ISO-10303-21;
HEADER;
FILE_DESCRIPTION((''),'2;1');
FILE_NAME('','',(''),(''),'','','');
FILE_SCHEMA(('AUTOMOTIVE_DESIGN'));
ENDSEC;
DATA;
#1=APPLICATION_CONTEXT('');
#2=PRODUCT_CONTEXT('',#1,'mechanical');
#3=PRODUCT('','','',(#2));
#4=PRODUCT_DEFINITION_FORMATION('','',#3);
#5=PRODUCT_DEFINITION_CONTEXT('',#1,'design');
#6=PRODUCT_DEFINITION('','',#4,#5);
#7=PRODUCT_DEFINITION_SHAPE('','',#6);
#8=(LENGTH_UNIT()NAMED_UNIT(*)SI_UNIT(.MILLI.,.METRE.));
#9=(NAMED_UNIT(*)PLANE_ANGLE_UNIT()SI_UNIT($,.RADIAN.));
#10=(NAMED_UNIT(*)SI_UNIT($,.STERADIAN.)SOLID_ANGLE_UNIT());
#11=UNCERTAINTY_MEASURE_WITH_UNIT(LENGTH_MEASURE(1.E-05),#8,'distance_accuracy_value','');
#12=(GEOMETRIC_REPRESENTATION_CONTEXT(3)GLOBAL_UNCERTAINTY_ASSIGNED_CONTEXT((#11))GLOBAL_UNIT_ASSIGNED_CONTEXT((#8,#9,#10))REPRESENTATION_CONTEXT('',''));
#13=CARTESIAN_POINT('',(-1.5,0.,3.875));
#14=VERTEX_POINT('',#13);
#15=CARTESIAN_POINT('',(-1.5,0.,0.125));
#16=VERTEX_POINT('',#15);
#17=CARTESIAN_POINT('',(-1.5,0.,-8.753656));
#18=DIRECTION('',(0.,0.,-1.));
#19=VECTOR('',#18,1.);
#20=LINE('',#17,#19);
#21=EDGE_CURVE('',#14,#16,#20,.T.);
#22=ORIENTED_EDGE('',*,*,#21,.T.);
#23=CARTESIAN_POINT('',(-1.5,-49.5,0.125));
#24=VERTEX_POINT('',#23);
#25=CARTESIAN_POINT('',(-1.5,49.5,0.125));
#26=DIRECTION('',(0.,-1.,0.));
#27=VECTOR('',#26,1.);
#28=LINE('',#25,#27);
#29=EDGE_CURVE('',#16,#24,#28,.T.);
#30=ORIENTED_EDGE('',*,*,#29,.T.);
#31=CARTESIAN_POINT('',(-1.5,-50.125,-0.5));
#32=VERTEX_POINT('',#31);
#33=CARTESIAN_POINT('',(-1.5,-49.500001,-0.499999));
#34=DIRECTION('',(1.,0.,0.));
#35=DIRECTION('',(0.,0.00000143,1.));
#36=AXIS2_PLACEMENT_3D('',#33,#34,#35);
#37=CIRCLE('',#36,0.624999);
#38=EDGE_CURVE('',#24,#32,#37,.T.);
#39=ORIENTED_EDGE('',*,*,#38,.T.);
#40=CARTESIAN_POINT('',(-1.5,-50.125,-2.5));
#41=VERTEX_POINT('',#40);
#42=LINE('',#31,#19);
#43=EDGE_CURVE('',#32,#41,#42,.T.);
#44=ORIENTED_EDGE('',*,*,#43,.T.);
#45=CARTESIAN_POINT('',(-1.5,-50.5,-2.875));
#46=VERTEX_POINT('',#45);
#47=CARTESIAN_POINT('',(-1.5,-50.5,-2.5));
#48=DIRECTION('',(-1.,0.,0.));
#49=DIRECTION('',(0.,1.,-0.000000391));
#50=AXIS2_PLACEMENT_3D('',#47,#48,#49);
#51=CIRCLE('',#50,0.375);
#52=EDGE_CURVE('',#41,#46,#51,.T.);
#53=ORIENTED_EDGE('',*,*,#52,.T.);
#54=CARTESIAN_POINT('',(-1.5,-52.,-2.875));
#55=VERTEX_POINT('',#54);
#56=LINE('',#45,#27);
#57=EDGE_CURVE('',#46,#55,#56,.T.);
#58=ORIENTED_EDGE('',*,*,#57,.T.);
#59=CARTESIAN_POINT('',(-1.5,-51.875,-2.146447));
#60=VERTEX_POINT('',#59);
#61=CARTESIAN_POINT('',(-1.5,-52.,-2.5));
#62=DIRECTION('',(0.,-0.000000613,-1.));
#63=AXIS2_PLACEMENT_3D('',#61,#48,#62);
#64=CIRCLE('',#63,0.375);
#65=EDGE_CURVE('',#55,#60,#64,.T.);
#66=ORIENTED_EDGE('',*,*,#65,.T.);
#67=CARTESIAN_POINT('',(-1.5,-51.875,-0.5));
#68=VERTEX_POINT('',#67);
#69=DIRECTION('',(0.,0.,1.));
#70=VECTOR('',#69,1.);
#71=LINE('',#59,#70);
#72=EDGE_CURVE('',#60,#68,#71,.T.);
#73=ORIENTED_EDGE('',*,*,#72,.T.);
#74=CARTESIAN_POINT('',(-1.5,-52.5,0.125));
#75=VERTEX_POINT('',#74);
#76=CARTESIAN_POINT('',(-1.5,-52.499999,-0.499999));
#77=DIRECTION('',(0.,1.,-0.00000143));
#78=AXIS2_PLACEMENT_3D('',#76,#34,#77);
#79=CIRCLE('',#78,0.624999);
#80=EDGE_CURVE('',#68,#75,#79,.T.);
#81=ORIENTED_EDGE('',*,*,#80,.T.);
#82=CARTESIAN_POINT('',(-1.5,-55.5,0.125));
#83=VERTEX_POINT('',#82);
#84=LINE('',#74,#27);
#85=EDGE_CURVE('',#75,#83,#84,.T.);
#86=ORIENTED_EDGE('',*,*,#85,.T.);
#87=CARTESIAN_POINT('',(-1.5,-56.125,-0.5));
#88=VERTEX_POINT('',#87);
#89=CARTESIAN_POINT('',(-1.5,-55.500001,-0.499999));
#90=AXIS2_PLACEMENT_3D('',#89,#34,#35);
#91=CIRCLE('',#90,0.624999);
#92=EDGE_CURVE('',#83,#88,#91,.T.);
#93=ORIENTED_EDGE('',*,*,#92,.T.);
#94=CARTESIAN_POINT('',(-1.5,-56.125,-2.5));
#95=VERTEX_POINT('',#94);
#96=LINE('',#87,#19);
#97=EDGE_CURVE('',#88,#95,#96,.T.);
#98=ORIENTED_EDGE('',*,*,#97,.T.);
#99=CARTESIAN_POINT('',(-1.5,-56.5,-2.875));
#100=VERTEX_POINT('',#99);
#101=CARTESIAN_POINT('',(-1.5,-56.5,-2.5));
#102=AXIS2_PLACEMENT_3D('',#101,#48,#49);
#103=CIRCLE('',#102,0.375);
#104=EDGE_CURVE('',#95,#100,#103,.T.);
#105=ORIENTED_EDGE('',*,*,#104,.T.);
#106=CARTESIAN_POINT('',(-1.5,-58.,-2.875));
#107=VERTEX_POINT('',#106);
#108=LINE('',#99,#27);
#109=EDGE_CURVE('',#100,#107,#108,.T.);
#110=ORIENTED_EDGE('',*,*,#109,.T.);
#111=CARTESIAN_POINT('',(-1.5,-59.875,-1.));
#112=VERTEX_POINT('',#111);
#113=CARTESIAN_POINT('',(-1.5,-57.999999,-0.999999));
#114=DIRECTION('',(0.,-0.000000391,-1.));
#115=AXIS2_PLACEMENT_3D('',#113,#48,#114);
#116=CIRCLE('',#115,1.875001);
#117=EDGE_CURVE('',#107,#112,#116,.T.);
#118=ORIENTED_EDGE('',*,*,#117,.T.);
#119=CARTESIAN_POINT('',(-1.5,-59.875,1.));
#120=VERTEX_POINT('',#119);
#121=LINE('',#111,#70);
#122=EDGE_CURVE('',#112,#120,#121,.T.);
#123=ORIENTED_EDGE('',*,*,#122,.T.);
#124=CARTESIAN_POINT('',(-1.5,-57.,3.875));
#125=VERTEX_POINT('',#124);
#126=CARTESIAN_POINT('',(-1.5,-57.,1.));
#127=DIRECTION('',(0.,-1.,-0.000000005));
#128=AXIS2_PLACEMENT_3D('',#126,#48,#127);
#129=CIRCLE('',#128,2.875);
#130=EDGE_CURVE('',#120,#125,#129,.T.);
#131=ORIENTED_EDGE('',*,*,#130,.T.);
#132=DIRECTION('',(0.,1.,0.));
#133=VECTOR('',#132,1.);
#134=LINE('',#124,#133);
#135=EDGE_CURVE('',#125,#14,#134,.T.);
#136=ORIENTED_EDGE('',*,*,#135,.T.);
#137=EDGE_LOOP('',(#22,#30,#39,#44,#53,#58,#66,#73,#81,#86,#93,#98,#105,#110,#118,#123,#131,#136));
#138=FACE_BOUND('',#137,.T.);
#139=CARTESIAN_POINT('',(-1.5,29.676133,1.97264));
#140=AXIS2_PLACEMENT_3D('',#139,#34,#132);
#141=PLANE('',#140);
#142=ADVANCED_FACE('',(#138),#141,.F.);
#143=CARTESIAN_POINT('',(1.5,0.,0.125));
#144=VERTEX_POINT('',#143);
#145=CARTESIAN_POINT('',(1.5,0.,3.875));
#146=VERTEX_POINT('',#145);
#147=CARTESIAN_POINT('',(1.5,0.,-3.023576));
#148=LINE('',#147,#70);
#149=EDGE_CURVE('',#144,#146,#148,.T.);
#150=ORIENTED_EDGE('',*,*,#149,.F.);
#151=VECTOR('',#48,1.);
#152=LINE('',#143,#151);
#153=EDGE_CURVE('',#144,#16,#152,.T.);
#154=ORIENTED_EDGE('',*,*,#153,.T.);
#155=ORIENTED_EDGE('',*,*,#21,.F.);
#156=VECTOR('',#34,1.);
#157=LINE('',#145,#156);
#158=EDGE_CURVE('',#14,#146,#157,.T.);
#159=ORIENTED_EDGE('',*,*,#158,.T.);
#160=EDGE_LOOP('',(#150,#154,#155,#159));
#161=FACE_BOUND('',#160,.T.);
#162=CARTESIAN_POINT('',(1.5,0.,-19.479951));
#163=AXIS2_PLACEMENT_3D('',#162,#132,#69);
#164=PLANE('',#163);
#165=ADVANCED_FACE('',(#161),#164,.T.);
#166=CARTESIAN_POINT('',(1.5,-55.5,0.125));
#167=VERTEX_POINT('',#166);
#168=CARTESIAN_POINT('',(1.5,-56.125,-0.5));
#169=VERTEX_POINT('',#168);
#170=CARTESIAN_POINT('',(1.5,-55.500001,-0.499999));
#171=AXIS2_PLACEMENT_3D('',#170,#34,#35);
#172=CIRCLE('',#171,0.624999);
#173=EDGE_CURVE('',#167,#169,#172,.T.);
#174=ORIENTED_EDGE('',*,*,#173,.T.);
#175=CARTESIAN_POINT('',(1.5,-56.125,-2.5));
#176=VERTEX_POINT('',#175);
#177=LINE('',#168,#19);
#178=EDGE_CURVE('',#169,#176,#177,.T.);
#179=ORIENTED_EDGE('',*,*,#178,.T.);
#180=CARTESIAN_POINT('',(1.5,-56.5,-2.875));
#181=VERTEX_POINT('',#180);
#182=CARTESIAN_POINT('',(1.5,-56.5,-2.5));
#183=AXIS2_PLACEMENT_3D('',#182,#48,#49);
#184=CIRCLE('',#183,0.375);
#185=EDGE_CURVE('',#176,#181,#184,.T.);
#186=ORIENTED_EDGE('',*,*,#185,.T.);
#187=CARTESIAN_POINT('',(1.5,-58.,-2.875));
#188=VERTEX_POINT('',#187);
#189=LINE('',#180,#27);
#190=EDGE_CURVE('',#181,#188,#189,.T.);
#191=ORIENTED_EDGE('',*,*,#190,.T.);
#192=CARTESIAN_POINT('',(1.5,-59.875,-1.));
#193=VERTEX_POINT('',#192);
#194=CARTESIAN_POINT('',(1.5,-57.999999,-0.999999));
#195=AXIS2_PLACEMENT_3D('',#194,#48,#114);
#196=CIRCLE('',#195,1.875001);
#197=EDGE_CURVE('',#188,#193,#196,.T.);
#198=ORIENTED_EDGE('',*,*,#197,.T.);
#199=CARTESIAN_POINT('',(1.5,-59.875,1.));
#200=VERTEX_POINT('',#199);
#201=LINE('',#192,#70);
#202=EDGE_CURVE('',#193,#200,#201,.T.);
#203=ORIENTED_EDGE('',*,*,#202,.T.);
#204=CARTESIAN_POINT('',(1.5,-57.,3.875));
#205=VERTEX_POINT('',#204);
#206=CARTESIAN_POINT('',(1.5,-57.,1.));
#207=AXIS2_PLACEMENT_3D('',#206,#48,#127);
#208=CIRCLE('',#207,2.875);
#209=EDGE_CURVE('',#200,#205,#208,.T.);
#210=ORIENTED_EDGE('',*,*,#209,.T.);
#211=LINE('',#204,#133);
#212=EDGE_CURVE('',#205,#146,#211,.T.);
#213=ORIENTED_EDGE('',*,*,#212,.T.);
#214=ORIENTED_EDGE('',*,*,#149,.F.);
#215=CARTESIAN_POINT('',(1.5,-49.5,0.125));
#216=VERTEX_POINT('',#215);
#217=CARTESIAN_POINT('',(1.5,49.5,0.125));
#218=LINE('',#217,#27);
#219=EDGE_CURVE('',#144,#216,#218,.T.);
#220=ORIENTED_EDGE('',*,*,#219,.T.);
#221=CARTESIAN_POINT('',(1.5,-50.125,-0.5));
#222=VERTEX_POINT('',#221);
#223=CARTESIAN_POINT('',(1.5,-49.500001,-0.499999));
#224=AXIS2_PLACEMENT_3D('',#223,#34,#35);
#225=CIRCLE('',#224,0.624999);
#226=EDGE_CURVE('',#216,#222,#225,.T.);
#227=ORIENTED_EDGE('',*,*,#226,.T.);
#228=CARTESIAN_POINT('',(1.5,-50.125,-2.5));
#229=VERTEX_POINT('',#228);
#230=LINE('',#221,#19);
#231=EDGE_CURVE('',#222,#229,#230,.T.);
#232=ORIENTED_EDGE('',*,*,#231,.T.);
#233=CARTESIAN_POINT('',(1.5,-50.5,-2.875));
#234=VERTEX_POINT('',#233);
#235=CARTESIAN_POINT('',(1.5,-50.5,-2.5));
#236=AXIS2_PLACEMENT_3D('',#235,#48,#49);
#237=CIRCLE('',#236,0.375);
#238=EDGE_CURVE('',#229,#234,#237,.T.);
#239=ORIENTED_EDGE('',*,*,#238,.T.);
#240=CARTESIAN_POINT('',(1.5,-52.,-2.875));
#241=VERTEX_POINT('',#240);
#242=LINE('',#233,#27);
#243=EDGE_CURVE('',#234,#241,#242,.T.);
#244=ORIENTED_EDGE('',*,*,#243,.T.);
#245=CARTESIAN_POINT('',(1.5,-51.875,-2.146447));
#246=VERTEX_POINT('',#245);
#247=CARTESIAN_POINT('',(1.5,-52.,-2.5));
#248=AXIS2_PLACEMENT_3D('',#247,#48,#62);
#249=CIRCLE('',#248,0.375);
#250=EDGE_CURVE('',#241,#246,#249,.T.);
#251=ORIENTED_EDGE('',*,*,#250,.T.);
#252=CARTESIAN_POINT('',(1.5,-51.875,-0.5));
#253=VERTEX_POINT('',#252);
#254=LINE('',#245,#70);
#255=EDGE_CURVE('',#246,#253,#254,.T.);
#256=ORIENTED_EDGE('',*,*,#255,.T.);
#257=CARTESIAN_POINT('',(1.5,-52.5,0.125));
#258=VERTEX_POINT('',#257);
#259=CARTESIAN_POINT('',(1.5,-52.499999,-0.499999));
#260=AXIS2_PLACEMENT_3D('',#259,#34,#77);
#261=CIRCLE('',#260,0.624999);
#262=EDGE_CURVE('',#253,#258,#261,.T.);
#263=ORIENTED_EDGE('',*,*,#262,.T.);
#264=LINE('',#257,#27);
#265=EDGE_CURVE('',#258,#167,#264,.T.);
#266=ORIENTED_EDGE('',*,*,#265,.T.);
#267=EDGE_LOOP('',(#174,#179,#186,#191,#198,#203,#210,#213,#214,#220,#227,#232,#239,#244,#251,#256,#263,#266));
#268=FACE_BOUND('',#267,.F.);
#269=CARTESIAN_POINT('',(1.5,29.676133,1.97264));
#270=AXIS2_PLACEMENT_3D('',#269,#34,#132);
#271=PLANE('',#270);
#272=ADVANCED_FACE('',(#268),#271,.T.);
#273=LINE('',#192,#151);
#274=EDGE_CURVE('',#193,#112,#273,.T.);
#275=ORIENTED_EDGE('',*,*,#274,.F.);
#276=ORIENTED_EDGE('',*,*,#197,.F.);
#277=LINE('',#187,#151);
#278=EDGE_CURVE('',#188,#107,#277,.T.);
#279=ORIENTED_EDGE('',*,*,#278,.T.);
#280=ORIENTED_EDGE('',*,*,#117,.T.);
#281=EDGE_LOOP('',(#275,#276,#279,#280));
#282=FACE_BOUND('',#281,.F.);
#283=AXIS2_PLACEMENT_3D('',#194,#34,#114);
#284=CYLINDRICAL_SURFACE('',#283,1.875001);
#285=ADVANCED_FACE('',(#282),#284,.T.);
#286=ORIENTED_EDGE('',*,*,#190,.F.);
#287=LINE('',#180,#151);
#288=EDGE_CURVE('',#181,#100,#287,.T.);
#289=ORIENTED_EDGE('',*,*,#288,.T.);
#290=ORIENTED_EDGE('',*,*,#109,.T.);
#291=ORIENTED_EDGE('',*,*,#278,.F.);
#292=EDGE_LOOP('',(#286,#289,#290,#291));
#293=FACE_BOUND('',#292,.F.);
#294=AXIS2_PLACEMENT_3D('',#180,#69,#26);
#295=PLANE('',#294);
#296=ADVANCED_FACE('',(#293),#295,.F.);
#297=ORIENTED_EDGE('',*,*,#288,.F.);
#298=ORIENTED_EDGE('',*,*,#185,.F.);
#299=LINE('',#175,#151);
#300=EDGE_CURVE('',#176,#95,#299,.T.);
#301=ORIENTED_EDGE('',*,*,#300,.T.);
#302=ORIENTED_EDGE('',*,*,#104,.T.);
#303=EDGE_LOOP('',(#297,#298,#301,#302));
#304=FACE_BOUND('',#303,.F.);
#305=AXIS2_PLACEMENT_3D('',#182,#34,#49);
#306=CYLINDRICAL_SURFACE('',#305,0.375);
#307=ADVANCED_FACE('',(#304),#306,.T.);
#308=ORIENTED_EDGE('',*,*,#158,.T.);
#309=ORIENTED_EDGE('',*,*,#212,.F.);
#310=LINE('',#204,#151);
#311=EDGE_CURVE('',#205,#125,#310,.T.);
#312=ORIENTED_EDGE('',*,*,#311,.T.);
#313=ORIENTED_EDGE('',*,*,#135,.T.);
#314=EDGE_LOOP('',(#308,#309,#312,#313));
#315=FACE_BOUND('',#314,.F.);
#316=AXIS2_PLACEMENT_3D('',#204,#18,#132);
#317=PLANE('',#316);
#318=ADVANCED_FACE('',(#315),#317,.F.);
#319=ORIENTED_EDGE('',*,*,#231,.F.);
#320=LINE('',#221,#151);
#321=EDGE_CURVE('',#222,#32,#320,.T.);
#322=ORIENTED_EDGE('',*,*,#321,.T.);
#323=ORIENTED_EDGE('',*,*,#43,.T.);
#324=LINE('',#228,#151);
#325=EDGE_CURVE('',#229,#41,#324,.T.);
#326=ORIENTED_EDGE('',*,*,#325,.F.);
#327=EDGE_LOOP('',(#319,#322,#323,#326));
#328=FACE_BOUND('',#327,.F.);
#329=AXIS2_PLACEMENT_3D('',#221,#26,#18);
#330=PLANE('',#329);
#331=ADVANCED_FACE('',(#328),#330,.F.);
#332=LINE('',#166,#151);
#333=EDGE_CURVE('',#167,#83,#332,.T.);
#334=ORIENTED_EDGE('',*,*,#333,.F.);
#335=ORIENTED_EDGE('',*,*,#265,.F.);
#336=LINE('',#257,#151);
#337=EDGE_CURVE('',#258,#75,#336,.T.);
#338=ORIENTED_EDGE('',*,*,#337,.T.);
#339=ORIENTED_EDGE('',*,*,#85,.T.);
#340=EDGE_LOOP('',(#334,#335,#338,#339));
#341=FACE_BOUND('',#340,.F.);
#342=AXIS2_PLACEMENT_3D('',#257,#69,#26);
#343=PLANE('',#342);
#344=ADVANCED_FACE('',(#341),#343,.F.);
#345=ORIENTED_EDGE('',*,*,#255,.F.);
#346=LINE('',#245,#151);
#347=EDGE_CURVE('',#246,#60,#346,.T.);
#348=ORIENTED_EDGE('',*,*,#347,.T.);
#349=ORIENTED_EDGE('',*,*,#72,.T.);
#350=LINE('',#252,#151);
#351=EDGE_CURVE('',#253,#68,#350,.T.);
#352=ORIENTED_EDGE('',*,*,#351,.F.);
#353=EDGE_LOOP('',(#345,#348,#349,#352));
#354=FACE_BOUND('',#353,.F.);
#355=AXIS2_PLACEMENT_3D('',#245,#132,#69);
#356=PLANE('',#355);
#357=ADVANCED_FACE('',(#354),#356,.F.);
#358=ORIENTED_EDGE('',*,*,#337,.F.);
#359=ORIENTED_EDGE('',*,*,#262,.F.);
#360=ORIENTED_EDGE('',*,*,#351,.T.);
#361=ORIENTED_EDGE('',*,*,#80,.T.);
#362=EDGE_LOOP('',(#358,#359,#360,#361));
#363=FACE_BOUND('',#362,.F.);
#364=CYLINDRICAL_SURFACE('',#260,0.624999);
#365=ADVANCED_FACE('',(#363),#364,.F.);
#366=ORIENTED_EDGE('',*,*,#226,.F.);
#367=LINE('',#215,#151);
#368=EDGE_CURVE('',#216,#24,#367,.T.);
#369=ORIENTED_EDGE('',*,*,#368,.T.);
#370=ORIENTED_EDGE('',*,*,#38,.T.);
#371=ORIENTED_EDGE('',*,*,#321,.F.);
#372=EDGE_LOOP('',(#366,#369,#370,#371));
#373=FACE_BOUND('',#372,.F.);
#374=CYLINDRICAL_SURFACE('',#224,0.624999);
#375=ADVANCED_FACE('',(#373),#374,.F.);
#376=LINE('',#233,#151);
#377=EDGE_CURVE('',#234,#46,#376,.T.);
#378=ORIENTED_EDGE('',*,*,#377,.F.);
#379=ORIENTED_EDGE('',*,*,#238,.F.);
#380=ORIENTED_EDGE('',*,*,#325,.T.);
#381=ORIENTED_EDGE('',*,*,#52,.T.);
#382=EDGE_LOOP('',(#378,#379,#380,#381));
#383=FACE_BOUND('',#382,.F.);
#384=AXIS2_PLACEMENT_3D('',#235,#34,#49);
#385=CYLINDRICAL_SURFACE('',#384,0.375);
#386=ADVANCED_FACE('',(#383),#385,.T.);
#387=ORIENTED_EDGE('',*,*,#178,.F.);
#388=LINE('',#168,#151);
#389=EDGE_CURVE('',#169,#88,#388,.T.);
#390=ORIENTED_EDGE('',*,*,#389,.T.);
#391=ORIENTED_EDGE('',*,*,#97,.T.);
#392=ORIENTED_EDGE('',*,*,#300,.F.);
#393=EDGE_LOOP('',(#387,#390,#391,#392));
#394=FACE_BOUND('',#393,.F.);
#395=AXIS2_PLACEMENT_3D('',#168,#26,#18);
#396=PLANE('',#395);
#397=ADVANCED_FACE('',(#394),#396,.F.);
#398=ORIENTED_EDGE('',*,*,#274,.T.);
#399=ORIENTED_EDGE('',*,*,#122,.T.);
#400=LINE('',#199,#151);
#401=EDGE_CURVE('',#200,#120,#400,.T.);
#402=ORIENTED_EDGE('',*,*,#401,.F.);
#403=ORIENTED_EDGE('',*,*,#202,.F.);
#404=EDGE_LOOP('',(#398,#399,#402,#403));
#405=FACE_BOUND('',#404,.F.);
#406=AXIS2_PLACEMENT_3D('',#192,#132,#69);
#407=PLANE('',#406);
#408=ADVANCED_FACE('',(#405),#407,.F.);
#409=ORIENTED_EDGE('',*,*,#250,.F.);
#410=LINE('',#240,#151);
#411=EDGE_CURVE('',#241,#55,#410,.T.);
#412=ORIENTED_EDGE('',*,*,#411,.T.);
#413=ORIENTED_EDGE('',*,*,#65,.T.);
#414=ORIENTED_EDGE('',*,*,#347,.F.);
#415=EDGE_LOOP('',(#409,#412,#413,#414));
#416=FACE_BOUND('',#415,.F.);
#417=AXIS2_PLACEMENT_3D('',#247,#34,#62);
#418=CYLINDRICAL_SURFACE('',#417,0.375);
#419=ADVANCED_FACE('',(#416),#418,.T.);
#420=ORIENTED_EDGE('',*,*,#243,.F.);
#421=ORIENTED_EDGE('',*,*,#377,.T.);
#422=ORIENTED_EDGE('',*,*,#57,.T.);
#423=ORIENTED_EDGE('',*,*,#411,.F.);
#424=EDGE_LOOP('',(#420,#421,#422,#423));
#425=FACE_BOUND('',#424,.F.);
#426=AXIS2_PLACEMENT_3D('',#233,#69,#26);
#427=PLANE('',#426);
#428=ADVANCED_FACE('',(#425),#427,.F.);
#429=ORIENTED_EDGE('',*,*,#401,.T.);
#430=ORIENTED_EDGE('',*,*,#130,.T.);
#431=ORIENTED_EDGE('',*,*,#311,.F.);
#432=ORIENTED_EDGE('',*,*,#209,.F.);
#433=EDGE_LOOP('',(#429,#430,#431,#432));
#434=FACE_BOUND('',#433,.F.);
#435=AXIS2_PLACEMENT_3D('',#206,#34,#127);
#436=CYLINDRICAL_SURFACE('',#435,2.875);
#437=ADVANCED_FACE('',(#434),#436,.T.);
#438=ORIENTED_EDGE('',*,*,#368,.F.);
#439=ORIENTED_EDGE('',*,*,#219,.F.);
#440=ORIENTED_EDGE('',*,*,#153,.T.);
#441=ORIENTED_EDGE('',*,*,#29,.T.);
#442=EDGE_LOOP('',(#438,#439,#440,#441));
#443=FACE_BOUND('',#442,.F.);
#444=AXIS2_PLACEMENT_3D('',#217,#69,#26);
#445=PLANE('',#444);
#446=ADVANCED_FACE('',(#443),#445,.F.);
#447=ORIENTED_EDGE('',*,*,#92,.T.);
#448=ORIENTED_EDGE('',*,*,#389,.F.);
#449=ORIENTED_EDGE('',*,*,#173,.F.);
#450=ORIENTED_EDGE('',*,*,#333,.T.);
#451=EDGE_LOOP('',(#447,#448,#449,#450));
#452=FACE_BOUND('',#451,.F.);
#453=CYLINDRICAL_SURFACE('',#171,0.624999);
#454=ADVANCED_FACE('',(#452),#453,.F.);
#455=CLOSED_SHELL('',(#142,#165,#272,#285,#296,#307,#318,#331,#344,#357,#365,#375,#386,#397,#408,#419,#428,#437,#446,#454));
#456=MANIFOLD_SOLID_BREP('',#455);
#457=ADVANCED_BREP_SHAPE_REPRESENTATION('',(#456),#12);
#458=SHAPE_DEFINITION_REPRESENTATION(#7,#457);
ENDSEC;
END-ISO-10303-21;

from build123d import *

# Parameters (mm, degrees)
F0_W     = 2
F0_H     = 2
F1_DEPTH = 1.5
F2_R     = 0.5
F5_DEPTH = 3
F6_W     = 70.54612
F6_H     = 32.912751
F7_DEPTH = 3.001


with BuildPart() as f1:
    # F0 (on Right) → F1 (new body, symmetric)
    with BuildSketch(Plane.YZ):
        with BuildLine():
            Line((-50, 0), (0, 0))
            Line((0, 0), (0, 4))
            Line((0, 4), (-57, 4))
            ThreePointArc((-57, 4), (-59.12132, 3.12132), (-60, 1))
            Line((-60, 1), (-60, 0))
            Line((-60, 0), (-56, 0))
            Line((-56, 0), (-52, 0))
            Line((-52, 0), (-50, 0))
        make_face()
        with Locations((-51, -1)):
            Rectangle(F0_W, F0_H)
        with BuildLine():
            Line((-50, -2.5), (-50, -2))
            Line((-50, -2), (-52, -2))
            Line((-52, -2), (-52, -3))
            Line((-52, -3), (-50.5, -3))
            ThreePointArc((-50.5, -3), (-50.146447, -2.853553), (-50, -2.5))
        make_face()
        with BuildLine():
            Line((-56, -2.5), (-56, 0))
            Line((-56, 0), (-60, 0))
            Line((-60, 0), (-60, -1))
            ThreePointArc((-60, -1), (-59.414214, -2.414214), (-58, -3))
            Line((-58, -3), (-56.5, -3))
            ThreePointArc((-56.5, -3), (-56.146447, -2.853553), (-56, -2.5))
        make_face()
        with BuildLine():
            Line((-52, -3), (-52, -2))
            ThreePointArc((-52, -2), (-52.5, -2.5), (-52, -3))
        make_face()
    extrude(amount=F1_DEPTH, both=True)

    # F2
    f2_edges = [f1.edges().sort_by_distance(p)[0] for p in [
        (0, -56, 0),
        (0, -52, 0),
        (0, -50, 0),
    ]]
    fillet(f2_edges, radius=F2_R)

    # F3: F1 across face


with BuildPart() as f1_1:
    add(f1.part)
    add(f1.part.mirror(Plane(origin=(0, 0, 2), x_dir=(-1, 0, 0), z_dir=(0, 1, 0))))

    # F4 (on face) → F5 (cut, through all)
    with BuildSketch(Plane.YZ.offset(1.5)):
        with BuildLine():
            Line((57, 4), (-57, 4))
            ThreePointArc((-57, 4), (-59.12132, 3.12132), (-60, 1))
            Line((-60, 1), (-60, -1))
            ThreePointArc((-60, -1), (-59.414214, -2.414214), (-58, -3))
            Line((-58, -3), (-56.5, -3))
            ThreePointArc((-56.5, -3), (-56.146447, -2.853553), (-56, -2.5))
            Line((-56, -2.5), (-56, -0.5))
            ThreePointArc((-56, -0.5), (-55.853553, -0.146447), (-55.5, 0))
            Line((-55.5, 0), (-52.5, 0))
            ThreePointArc((-52.5, 0), (-52.146447, -0.146447), (-52, -0.5))
            Line((-52, -0.5), (-52, -2))
            ThreePointArc((-52, -2), (-52.5, -2.5), (-52, -3))
            Line((-52, -3), (-50.5, -3))
            ThreePointArc((-50.5, -3), (-50.146447, -2.853553), (-50, -2.5))
            Line((-50, -2.5), (-50, -0.5))
            ThreePointArc((-50, -0.5), (-49.853553, -0.146447), (-49.5, 0))
            Line((-49.5, 0), (49.5, 0))
            Line((49.5, 0), (49.5, 0.125))
            Line((49.5, 0.125), (-49.5, 0.125))
            ThreePointArc((-49.5, 0.125), (-49.941942, -0.058058), (-50.125, -0.5))
            Line((-50.125, -0.5), (-50.125, -2.5))
            ThreePointArc((-50.125, -2.5), (-50.234835, -2.765165), (-50.5, -2.875))
            Line((-50.5, -2.875), (-52, -2.875))
            ThreePointArc((-52, -2.875), (-52.369599, -2.436587), (-51.875, -2.146447))
            Line((-51.875, -2.146447), (-51.875, -0.5))
            ThreePointArc((-51.875, -0.5), (-52.058058, -0.058058), (-52.5, 0.125))
            Line((-52.5, 0.125), (-55.5, 0.125))
            ThreePointArc((-55.5, 0.125), (-55.941942, -0.058058), (-56.125, -0.5))
            Line((-56.125, -0.5), (-56.125, -2.5))
            ThreePointArc((-56.125, -2.5), (-56.234835, -2.765165), (-56.5, -2.875))
            Line((-56.5, -2.875), (-58, -2.875))
            ThreePointArc((-58, -2.875), (-59.325825, -2.325825), (-59.875, -1))
            Line((-59.875, -1), (-59.875, 1))
            ThreePointArc((-59.875, 1), (-59.032932, 3.032932), (-57, 3.875))
            Line((-57, 3.875), (57, 3.875))
            Line((57, 3.875), (57, 4))
        make_face()
    extrude(amount=-F5_DEPTH, mode=Mode.SUBTRACT)

    # F6 (on face) → F7 (cut, through all)
    with BuildSketch(Plane.YZ.offset(1.5)):
        with Locations((35.27306, -3.023576)):
            Rectangle(F6_W, F6_H)
    extrude(amount=-F7_DEPTH, mode=Mode.SUBTRACT)


solid = f1_1.part
